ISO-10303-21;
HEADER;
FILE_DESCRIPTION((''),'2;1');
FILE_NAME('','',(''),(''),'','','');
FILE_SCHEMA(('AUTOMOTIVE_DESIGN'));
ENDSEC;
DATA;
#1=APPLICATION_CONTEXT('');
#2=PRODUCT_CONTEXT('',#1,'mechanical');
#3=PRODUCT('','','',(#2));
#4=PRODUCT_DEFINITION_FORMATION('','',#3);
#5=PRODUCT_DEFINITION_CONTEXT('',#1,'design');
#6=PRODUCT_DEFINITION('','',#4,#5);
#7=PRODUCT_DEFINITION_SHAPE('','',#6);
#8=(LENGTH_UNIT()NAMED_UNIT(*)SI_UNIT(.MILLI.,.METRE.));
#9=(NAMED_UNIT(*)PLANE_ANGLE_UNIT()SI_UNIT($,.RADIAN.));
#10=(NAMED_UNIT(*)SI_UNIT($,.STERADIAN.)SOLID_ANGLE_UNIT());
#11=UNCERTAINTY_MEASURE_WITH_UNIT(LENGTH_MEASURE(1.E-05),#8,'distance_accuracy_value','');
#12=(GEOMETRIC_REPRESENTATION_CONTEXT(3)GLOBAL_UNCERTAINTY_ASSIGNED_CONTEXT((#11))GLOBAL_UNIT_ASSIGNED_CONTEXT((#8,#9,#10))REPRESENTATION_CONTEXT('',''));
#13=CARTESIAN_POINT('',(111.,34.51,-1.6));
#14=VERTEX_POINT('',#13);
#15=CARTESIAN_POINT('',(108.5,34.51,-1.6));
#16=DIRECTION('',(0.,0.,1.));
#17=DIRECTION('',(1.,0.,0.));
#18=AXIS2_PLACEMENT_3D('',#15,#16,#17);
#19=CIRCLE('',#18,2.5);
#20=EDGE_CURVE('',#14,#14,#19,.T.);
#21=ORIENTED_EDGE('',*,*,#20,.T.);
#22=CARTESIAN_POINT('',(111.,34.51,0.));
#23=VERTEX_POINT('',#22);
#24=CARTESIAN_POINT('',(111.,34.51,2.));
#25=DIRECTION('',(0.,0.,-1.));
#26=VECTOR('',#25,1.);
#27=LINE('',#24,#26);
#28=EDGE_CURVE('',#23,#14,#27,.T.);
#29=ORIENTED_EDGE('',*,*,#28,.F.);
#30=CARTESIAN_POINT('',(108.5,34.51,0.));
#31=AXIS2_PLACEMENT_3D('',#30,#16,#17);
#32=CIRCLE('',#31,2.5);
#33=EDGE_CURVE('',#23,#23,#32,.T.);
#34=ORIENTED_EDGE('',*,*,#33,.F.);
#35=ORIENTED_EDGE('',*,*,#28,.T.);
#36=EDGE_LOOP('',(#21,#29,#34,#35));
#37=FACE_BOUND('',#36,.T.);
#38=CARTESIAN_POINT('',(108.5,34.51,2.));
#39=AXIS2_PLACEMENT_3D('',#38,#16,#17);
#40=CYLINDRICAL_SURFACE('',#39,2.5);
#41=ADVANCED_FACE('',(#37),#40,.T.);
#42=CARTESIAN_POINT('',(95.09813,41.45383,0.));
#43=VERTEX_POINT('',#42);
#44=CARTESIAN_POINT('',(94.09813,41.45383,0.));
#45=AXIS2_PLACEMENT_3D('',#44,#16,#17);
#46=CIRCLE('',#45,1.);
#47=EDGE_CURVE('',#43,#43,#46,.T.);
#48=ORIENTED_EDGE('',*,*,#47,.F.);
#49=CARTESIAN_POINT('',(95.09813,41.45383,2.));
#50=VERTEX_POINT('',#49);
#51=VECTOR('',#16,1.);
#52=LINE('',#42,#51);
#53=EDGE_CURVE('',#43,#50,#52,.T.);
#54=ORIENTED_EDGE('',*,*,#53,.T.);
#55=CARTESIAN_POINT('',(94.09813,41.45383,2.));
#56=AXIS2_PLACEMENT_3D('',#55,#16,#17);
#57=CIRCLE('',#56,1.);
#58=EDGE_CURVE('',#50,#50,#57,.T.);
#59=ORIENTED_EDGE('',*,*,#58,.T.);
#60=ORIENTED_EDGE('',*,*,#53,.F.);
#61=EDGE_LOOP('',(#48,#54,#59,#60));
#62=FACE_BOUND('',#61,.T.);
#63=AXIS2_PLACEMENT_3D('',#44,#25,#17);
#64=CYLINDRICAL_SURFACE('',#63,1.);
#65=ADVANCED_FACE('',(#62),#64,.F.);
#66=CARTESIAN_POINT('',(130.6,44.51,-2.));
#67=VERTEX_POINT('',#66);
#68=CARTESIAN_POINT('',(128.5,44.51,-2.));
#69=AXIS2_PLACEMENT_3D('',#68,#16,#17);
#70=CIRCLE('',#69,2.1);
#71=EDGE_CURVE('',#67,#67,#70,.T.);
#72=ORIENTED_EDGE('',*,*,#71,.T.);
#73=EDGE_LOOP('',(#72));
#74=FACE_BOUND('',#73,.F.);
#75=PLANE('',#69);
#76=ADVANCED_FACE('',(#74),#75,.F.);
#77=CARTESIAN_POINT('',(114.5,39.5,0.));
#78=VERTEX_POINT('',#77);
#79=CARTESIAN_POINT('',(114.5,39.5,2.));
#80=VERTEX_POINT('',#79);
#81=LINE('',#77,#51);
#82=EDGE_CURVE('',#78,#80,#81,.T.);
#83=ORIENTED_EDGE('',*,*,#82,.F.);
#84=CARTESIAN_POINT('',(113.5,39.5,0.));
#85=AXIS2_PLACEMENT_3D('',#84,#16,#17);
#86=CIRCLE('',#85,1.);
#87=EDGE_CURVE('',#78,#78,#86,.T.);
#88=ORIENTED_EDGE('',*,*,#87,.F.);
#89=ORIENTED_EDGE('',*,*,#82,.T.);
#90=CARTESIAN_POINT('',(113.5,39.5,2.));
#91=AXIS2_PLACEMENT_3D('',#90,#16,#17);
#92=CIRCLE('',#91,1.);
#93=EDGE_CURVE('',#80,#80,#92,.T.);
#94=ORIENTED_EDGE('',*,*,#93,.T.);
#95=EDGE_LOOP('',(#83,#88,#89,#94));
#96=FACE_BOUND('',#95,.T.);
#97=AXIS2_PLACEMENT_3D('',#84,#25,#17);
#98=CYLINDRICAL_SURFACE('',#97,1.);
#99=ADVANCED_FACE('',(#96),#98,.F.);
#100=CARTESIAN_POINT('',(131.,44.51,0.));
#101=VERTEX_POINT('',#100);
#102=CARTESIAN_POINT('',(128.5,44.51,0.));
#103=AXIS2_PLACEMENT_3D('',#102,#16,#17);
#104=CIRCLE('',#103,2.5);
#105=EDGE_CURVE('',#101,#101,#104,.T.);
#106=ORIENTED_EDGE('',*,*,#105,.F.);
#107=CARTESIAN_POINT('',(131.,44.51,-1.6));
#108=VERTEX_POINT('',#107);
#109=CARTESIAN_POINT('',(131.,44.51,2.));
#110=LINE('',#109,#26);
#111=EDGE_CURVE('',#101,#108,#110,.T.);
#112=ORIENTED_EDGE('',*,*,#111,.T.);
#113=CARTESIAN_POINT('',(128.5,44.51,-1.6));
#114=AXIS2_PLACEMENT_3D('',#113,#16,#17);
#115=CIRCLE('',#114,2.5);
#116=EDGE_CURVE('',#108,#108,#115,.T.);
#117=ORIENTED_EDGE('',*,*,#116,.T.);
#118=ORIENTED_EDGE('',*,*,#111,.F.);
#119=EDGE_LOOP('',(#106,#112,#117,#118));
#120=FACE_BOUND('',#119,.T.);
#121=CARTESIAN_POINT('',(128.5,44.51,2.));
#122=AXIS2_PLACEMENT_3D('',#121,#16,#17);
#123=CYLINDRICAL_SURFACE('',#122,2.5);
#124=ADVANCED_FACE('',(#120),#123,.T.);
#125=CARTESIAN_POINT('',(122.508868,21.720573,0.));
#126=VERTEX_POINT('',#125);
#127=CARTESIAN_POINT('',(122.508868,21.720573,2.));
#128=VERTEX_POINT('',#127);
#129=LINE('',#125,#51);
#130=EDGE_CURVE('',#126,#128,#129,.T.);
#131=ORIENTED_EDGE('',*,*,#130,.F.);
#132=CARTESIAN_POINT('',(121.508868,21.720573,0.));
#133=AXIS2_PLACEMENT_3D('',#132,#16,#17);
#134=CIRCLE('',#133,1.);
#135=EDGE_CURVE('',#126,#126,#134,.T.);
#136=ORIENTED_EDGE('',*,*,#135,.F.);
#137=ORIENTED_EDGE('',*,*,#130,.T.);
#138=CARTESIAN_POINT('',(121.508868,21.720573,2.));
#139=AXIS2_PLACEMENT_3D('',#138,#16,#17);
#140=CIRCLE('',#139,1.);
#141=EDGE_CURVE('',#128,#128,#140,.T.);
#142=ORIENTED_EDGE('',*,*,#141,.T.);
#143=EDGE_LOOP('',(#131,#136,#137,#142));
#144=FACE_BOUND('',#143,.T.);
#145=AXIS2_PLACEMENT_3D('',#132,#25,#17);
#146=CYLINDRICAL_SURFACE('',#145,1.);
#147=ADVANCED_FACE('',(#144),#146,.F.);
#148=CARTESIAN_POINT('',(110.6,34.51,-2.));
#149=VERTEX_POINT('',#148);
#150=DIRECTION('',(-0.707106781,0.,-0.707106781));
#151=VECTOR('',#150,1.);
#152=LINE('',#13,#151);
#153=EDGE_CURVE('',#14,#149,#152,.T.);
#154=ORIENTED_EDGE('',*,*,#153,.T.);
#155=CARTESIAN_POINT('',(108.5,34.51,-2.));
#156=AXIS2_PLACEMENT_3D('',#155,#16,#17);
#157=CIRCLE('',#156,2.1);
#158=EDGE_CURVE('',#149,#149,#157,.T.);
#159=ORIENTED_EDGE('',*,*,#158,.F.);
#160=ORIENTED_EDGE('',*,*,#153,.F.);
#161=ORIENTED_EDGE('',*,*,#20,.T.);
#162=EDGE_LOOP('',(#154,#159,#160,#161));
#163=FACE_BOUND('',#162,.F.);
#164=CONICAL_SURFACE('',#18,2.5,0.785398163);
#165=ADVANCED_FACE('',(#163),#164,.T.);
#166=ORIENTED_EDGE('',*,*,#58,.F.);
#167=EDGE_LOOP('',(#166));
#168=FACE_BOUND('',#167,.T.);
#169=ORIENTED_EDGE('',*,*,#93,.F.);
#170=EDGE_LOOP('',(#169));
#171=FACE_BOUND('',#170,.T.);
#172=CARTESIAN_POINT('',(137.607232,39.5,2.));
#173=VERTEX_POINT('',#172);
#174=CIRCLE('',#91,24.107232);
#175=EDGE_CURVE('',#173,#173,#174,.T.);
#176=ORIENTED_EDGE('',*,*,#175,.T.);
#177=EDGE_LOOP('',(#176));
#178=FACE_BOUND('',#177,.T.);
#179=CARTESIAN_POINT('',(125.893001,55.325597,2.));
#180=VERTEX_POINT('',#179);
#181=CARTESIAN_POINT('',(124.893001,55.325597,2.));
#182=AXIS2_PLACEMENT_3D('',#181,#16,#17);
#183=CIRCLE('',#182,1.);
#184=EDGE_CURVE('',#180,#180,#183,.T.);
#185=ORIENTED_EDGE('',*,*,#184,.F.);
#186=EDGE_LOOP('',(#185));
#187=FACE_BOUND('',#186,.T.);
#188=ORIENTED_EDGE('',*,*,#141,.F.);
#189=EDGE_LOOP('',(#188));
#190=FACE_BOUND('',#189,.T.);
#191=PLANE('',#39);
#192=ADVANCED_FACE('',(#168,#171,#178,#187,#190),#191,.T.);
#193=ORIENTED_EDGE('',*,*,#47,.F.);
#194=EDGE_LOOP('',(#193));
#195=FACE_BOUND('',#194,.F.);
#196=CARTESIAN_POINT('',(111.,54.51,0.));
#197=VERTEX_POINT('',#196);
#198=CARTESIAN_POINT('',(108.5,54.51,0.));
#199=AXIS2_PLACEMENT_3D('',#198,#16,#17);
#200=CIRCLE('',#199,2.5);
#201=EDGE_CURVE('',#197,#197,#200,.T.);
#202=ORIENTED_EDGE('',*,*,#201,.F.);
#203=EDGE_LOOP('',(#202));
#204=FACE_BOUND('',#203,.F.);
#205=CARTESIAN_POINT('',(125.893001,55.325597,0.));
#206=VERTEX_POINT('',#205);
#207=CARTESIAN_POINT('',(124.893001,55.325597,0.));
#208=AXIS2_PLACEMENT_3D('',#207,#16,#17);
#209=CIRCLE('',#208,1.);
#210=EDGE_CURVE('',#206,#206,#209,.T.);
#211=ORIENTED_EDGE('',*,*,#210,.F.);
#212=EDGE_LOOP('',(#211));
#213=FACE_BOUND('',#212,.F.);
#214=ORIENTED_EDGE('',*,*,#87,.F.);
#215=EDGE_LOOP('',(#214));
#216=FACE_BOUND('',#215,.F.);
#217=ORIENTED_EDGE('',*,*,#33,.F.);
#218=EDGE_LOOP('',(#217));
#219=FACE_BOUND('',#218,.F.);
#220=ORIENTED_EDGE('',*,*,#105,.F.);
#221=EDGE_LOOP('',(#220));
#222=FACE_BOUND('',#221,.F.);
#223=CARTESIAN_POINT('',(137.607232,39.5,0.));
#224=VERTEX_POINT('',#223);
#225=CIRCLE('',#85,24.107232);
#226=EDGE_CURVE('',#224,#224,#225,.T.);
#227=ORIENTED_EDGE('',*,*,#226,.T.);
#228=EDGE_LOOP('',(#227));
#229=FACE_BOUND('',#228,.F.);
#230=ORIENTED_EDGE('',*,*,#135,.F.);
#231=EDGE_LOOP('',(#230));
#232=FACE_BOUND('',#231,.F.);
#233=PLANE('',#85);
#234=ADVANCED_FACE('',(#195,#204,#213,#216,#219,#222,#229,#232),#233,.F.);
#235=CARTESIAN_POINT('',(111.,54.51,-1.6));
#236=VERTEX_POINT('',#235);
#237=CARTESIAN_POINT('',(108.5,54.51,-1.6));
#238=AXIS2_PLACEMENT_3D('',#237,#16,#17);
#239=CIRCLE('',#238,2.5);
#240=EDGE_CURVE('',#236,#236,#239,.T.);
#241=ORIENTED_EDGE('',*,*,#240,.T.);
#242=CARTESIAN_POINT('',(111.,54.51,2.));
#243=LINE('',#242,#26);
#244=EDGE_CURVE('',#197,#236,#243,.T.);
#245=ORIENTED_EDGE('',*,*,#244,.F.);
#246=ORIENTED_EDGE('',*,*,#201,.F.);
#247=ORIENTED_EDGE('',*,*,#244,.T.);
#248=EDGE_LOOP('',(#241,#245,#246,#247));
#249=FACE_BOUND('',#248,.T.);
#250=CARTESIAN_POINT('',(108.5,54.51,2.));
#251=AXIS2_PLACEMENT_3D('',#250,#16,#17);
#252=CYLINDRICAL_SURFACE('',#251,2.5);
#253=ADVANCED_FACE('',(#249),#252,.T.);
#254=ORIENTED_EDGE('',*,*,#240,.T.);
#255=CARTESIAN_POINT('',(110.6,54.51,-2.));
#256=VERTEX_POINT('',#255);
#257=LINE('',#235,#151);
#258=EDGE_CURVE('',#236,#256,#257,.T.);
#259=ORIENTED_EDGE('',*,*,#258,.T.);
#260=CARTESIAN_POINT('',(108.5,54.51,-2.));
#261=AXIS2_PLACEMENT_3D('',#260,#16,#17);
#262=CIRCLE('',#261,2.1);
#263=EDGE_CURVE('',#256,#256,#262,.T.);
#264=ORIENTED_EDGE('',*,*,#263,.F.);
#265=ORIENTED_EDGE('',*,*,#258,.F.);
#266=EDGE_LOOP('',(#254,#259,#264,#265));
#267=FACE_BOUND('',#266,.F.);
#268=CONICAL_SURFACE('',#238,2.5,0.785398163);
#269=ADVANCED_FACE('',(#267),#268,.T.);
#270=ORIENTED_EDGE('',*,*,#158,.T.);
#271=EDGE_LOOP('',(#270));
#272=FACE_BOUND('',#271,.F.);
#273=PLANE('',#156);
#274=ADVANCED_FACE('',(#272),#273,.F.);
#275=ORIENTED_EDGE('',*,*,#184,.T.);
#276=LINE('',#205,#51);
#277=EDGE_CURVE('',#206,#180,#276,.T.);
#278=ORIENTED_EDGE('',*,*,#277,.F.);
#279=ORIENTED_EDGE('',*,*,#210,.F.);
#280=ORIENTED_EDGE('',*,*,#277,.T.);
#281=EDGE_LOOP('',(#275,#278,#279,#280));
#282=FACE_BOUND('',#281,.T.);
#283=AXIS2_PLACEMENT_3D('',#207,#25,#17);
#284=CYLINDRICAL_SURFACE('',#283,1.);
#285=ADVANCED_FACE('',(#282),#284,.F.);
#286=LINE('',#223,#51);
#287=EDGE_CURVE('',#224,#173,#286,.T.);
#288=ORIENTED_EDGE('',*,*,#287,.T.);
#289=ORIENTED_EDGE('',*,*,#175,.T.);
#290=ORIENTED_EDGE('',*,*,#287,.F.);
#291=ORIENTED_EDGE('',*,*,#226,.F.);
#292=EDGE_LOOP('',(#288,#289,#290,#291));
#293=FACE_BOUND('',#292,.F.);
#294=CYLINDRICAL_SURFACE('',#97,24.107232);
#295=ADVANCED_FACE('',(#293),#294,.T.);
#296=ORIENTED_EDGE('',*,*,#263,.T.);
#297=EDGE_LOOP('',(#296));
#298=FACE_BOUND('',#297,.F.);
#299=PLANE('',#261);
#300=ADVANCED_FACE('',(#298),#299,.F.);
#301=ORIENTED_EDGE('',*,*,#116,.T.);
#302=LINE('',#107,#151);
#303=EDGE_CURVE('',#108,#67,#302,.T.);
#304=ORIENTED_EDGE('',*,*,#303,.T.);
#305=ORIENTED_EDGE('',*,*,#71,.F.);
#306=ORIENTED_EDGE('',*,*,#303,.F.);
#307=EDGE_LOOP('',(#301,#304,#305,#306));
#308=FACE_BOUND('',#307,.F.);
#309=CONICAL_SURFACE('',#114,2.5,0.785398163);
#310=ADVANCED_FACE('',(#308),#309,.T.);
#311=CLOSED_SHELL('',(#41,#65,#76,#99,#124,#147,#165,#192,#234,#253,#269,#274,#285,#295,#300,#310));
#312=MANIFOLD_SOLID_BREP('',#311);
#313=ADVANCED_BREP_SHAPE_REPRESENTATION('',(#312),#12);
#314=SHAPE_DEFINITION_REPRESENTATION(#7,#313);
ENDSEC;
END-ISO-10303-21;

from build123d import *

# Parameters (mm, degrees)
SKETCH_R     = 24.107232
SKETCH_R_2   = 1
PAD_DEPTH    = 2
SKETCH001_R  = 2.5
PAD001_DEPTH = 4
CHAMFER_SIZE = 0.4


with BuildPart() as part:
    # Sketch → Pad (new body)
    with BuildSketch(Plane.XY):
        with Locations((113.5, 39.5)):
            Circle(SKETCH_R)
        with Locations((124.893001, 55.325597)):
            Circle(SKETCH_R_2, mode=Mode.SUBTRACT)
        with Locations((94.09813, 41.45383)):
            Circle(SKETCH_R_2, mode=Mode.SUBTRACT)
        with Locations((121.508868, 21.720573)):
            Circle(SKETCH_R_2, mode=Mode.SUBTRACT)
        with Locations((113.5, 39.5)):
            Circle(SKETCH_R_2, mode=Mode.SUBTRACT)
    extrude(amount=PAD_DEPTH)

    # Sketch001 (on Face7 of Pad) → Pad001 (join)
    with BuildSketch(Plane.XY.offset(2)):
        with Locations((108.5, 34.51)):
            Circle(SKETCH001_R)
        with Locations((108.5, 54.51)):
            Circle(SKETCH001_R)
        with Locations((128.5, 44.51)):
            Circle(SKETCH001_R)
    extrude(amount=-PAD001_DEPTH)

    # Chamfer
    chamfer_edges = [part.edges().sort_by_distance(p)[0] for p in [
        (106, 34.51, -2),
        (106, 54.51, -2),
        (126, 44.51, -2),
    ]]
    chamfer(chamfer_edges, length=CHAMFER_SIZE)


solid = part.part
